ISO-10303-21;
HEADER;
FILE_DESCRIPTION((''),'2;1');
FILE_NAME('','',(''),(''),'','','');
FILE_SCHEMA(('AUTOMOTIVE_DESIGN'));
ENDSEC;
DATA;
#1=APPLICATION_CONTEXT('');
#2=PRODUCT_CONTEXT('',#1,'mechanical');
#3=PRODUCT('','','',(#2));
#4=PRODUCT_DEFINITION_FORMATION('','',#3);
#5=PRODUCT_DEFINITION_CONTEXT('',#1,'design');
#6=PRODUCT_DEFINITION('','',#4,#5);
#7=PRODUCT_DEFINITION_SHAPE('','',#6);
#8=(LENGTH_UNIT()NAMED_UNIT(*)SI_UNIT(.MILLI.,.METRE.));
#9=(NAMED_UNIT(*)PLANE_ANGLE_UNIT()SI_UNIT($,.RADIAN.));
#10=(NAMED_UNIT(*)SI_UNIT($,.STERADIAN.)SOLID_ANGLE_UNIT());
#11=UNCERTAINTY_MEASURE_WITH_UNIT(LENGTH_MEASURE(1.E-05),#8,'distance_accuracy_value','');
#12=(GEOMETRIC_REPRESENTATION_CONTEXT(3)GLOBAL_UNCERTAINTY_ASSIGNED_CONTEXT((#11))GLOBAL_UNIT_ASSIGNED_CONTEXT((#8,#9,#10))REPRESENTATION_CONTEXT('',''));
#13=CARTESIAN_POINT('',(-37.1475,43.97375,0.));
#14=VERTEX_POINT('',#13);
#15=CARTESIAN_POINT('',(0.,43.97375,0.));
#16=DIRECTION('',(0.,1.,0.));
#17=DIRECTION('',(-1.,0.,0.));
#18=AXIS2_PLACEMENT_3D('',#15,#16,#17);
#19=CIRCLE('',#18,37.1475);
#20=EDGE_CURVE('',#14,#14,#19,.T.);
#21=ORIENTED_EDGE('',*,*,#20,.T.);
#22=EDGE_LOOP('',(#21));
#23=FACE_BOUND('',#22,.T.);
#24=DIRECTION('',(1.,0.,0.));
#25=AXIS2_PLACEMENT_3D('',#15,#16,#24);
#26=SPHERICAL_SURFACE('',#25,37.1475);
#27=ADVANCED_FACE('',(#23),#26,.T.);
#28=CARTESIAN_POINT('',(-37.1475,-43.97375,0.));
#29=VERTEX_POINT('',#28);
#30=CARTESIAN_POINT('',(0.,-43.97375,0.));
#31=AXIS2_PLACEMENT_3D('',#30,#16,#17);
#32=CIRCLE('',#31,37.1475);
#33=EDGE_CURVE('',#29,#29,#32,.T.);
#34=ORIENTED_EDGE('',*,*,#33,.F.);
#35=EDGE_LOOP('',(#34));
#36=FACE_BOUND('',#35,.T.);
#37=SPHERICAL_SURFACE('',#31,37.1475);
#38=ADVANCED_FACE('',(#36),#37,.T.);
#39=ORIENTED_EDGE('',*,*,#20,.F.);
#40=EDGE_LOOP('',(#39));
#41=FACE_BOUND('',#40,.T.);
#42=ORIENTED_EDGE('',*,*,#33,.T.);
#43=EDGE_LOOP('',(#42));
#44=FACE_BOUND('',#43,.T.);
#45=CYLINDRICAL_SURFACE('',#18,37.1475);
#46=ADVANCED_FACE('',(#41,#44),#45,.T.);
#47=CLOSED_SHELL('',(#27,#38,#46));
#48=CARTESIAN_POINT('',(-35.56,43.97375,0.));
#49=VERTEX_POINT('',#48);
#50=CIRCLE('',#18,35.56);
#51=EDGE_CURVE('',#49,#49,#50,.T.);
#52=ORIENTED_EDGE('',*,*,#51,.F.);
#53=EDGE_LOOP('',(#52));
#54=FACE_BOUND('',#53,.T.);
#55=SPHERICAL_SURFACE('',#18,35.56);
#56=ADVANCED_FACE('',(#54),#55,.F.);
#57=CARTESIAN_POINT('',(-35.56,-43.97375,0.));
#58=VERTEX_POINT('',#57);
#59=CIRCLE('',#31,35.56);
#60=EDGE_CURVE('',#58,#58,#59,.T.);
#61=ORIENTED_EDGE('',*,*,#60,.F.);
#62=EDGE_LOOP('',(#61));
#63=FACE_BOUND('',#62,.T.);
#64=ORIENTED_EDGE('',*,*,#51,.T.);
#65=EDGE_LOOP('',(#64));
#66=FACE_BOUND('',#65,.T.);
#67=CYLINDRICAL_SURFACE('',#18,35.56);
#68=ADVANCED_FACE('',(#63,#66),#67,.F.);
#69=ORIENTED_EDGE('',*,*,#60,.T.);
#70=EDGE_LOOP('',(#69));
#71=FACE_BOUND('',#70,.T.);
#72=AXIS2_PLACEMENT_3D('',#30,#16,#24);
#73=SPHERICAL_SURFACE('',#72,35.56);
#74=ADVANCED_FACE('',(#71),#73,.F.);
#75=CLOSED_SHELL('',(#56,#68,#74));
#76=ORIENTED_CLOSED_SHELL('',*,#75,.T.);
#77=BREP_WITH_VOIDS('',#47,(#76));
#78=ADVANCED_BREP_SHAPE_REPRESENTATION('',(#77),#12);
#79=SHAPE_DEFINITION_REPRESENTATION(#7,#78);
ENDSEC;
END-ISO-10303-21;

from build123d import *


with BuildPart() as part:
    # Sketch1 → Revolve3 (revolve)
    with BuildSketch(Plane.XY):
        with BuildLine():
            Line((-37.1475, 43.97375), (-37.1475, -43.97375))
            ThreePointArc((-37.1475, -43.97375), (-26.267249154, -70.240999154), (0, -81.12125))
            Line((0, -81.12125), (0, -79.53375))
            ThreePointArc((0, -79.53375), (-25.144717139, -69.118467139), (-35.56, -43.97375))
            Line((-35.56, -43.97375), (-35.56, 43.97375))
            ThreePointArc((-35.56, 43.97375), (-25.144717139, 69.118467139), (0, 79.53375))
            Line((0, 79.53375), (0, 81.12125))
            ThreePointArc((0, 81.12125), (-26.267249154, 70.240999154), (-37.1475, 43.97375))
        make_face()
    revolve(axis=Axis((0, 43.97375, 0), (0, -1, 0)))


solid = part.part
